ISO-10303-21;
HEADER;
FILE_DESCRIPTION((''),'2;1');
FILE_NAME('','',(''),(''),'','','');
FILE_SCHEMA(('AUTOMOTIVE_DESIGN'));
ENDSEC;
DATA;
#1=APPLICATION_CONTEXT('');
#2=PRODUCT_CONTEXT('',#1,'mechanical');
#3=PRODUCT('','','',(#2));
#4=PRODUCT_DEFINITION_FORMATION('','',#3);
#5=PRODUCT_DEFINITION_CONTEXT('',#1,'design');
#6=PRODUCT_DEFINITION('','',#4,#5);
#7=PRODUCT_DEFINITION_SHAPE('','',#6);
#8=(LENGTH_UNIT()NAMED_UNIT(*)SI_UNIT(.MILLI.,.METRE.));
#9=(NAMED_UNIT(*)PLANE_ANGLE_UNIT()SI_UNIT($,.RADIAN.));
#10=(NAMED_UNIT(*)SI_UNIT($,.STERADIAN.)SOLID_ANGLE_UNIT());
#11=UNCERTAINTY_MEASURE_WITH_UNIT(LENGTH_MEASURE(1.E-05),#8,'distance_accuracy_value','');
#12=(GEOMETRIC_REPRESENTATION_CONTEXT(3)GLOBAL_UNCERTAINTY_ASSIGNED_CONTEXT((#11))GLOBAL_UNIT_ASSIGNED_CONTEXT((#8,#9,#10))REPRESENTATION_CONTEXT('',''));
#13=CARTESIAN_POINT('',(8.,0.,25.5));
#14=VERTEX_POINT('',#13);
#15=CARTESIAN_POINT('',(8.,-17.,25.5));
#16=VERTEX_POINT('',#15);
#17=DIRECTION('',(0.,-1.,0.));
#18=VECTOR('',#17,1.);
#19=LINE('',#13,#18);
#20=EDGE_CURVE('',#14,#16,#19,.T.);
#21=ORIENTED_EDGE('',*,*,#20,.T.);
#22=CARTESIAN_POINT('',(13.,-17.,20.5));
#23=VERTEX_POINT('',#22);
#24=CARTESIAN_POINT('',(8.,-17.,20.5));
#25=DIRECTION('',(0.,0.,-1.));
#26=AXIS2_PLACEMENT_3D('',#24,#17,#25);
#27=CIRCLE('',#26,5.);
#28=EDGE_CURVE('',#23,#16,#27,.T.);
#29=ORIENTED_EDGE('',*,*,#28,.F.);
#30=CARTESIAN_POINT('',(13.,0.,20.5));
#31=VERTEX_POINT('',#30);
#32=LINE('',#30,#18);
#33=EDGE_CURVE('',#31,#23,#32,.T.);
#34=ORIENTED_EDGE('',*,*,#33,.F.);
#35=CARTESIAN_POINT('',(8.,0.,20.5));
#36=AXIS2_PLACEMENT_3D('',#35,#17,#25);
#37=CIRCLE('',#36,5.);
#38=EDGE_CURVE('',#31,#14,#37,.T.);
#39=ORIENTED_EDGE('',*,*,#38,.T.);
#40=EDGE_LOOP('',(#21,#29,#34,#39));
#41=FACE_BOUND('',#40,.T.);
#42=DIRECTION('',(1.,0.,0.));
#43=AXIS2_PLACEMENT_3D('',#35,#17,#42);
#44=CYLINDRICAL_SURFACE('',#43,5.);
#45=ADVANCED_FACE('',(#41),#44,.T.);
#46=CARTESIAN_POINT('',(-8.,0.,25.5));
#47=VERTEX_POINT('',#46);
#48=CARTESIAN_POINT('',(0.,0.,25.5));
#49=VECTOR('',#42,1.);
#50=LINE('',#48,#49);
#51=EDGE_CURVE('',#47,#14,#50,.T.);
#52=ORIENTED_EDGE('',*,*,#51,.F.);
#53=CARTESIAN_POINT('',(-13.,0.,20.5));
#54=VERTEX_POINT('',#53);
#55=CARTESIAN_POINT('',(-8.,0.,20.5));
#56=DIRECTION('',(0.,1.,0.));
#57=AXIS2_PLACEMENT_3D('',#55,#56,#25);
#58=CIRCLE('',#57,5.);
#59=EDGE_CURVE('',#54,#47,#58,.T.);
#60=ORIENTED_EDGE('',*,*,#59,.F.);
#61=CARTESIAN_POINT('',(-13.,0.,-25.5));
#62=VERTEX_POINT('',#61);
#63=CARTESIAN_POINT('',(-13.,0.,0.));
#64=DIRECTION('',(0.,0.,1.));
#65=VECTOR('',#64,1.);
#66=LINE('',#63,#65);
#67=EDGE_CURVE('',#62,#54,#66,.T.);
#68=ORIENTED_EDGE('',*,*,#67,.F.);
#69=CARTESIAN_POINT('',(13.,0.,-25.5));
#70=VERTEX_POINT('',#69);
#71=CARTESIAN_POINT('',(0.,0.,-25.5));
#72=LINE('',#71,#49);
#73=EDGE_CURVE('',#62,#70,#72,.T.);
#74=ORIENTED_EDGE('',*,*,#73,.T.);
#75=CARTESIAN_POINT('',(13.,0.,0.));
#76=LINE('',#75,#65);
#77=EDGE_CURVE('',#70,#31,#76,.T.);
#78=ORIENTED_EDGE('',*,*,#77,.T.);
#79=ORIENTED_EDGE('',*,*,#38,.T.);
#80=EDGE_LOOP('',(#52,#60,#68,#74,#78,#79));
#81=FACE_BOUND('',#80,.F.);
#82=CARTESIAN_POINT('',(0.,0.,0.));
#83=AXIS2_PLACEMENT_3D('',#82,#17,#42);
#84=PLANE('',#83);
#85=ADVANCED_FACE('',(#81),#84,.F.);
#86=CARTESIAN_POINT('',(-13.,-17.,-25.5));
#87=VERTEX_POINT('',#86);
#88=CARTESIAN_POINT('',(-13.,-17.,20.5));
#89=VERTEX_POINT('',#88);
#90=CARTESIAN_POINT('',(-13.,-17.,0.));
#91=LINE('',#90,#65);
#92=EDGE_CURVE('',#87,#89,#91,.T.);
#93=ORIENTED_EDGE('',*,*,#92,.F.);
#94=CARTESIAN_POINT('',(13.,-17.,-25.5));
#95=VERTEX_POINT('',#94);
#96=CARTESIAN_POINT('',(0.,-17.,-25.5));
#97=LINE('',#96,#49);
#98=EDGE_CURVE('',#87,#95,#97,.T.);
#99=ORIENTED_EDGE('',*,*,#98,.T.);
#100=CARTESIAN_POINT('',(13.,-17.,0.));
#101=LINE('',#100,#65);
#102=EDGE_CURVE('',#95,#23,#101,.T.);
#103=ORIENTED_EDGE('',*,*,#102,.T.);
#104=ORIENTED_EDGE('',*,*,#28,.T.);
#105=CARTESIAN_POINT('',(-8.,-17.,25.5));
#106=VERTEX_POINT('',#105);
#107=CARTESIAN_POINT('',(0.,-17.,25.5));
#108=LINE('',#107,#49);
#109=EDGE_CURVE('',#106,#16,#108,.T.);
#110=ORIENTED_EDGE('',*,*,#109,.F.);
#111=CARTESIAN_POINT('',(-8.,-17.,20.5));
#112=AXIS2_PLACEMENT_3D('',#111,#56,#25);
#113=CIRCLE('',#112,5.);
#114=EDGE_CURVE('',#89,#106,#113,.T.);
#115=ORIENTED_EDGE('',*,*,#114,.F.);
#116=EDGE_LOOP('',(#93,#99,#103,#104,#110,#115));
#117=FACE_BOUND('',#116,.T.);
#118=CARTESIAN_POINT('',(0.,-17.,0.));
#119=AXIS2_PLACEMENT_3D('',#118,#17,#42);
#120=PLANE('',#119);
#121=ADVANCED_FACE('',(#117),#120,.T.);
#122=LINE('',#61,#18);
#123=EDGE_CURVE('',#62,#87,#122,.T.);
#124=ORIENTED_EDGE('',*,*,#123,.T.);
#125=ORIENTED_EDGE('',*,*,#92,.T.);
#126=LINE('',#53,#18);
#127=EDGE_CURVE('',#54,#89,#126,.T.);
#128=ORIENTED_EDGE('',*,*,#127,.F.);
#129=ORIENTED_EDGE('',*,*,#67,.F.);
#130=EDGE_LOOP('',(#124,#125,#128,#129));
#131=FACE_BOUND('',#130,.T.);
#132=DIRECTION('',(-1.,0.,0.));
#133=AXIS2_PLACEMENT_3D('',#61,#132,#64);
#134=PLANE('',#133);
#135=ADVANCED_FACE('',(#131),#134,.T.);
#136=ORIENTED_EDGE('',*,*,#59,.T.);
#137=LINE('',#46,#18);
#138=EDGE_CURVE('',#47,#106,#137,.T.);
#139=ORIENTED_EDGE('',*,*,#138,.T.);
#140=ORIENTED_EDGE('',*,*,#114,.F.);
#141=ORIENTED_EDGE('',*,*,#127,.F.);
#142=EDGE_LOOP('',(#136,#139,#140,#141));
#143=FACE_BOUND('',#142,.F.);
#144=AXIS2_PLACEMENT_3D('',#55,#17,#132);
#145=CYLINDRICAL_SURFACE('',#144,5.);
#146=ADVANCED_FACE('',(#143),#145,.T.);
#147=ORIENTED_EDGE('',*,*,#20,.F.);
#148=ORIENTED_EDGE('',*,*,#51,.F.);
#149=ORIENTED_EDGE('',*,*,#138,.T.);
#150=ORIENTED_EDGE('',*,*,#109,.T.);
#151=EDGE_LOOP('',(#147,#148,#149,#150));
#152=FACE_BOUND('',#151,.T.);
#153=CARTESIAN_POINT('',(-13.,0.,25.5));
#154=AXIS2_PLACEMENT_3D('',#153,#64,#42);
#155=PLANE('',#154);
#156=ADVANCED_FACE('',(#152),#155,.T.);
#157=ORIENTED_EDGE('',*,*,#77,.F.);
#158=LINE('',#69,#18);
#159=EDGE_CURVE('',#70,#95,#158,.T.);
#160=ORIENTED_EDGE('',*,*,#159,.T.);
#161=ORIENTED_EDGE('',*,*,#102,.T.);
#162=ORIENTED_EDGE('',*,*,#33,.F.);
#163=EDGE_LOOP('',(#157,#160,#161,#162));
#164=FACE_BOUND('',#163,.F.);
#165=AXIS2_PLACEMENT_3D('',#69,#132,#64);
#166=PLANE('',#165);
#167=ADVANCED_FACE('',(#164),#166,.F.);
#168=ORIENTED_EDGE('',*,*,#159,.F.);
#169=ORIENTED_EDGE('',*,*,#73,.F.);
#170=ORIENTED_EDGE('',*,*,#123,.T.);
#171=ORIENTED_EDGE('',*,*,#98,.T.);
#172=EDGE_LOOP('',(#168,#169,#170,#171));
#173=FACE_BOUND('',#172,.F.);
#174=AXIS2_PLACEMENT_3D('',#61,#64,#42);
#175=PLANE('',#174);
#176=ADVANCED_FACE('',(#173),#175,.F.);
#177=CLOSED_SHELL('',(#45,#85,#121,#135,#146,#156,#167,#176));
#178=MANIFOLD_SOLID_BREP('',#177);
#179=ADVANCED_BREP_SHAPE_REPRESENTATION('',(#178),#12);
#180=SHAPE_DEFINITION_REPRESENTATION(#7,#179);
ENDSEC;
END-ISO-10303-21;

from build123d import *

# Parameters (mm, degrees)
F0_W     = 26
F0_H     = 51
F1_DEPTH = 17
F2_R     = 5


with BuildPart() as f1:
    # F0 (on Front) → F1 (new body)
    with BuildSketch(Plane.XZ):
        Rectangle(F0_W, F0_H)
    extrude(amount=F1_DEPTH)

    # F2
    f2_edges = [f1.edges().sort_by_distance(p)[0] for p in [
        (13, -8.5, 25.5),
        (-13, -8.5, 25.5),
    ]]
    fillet(f2_edges, radius=F2_R)


solid = f1.part
